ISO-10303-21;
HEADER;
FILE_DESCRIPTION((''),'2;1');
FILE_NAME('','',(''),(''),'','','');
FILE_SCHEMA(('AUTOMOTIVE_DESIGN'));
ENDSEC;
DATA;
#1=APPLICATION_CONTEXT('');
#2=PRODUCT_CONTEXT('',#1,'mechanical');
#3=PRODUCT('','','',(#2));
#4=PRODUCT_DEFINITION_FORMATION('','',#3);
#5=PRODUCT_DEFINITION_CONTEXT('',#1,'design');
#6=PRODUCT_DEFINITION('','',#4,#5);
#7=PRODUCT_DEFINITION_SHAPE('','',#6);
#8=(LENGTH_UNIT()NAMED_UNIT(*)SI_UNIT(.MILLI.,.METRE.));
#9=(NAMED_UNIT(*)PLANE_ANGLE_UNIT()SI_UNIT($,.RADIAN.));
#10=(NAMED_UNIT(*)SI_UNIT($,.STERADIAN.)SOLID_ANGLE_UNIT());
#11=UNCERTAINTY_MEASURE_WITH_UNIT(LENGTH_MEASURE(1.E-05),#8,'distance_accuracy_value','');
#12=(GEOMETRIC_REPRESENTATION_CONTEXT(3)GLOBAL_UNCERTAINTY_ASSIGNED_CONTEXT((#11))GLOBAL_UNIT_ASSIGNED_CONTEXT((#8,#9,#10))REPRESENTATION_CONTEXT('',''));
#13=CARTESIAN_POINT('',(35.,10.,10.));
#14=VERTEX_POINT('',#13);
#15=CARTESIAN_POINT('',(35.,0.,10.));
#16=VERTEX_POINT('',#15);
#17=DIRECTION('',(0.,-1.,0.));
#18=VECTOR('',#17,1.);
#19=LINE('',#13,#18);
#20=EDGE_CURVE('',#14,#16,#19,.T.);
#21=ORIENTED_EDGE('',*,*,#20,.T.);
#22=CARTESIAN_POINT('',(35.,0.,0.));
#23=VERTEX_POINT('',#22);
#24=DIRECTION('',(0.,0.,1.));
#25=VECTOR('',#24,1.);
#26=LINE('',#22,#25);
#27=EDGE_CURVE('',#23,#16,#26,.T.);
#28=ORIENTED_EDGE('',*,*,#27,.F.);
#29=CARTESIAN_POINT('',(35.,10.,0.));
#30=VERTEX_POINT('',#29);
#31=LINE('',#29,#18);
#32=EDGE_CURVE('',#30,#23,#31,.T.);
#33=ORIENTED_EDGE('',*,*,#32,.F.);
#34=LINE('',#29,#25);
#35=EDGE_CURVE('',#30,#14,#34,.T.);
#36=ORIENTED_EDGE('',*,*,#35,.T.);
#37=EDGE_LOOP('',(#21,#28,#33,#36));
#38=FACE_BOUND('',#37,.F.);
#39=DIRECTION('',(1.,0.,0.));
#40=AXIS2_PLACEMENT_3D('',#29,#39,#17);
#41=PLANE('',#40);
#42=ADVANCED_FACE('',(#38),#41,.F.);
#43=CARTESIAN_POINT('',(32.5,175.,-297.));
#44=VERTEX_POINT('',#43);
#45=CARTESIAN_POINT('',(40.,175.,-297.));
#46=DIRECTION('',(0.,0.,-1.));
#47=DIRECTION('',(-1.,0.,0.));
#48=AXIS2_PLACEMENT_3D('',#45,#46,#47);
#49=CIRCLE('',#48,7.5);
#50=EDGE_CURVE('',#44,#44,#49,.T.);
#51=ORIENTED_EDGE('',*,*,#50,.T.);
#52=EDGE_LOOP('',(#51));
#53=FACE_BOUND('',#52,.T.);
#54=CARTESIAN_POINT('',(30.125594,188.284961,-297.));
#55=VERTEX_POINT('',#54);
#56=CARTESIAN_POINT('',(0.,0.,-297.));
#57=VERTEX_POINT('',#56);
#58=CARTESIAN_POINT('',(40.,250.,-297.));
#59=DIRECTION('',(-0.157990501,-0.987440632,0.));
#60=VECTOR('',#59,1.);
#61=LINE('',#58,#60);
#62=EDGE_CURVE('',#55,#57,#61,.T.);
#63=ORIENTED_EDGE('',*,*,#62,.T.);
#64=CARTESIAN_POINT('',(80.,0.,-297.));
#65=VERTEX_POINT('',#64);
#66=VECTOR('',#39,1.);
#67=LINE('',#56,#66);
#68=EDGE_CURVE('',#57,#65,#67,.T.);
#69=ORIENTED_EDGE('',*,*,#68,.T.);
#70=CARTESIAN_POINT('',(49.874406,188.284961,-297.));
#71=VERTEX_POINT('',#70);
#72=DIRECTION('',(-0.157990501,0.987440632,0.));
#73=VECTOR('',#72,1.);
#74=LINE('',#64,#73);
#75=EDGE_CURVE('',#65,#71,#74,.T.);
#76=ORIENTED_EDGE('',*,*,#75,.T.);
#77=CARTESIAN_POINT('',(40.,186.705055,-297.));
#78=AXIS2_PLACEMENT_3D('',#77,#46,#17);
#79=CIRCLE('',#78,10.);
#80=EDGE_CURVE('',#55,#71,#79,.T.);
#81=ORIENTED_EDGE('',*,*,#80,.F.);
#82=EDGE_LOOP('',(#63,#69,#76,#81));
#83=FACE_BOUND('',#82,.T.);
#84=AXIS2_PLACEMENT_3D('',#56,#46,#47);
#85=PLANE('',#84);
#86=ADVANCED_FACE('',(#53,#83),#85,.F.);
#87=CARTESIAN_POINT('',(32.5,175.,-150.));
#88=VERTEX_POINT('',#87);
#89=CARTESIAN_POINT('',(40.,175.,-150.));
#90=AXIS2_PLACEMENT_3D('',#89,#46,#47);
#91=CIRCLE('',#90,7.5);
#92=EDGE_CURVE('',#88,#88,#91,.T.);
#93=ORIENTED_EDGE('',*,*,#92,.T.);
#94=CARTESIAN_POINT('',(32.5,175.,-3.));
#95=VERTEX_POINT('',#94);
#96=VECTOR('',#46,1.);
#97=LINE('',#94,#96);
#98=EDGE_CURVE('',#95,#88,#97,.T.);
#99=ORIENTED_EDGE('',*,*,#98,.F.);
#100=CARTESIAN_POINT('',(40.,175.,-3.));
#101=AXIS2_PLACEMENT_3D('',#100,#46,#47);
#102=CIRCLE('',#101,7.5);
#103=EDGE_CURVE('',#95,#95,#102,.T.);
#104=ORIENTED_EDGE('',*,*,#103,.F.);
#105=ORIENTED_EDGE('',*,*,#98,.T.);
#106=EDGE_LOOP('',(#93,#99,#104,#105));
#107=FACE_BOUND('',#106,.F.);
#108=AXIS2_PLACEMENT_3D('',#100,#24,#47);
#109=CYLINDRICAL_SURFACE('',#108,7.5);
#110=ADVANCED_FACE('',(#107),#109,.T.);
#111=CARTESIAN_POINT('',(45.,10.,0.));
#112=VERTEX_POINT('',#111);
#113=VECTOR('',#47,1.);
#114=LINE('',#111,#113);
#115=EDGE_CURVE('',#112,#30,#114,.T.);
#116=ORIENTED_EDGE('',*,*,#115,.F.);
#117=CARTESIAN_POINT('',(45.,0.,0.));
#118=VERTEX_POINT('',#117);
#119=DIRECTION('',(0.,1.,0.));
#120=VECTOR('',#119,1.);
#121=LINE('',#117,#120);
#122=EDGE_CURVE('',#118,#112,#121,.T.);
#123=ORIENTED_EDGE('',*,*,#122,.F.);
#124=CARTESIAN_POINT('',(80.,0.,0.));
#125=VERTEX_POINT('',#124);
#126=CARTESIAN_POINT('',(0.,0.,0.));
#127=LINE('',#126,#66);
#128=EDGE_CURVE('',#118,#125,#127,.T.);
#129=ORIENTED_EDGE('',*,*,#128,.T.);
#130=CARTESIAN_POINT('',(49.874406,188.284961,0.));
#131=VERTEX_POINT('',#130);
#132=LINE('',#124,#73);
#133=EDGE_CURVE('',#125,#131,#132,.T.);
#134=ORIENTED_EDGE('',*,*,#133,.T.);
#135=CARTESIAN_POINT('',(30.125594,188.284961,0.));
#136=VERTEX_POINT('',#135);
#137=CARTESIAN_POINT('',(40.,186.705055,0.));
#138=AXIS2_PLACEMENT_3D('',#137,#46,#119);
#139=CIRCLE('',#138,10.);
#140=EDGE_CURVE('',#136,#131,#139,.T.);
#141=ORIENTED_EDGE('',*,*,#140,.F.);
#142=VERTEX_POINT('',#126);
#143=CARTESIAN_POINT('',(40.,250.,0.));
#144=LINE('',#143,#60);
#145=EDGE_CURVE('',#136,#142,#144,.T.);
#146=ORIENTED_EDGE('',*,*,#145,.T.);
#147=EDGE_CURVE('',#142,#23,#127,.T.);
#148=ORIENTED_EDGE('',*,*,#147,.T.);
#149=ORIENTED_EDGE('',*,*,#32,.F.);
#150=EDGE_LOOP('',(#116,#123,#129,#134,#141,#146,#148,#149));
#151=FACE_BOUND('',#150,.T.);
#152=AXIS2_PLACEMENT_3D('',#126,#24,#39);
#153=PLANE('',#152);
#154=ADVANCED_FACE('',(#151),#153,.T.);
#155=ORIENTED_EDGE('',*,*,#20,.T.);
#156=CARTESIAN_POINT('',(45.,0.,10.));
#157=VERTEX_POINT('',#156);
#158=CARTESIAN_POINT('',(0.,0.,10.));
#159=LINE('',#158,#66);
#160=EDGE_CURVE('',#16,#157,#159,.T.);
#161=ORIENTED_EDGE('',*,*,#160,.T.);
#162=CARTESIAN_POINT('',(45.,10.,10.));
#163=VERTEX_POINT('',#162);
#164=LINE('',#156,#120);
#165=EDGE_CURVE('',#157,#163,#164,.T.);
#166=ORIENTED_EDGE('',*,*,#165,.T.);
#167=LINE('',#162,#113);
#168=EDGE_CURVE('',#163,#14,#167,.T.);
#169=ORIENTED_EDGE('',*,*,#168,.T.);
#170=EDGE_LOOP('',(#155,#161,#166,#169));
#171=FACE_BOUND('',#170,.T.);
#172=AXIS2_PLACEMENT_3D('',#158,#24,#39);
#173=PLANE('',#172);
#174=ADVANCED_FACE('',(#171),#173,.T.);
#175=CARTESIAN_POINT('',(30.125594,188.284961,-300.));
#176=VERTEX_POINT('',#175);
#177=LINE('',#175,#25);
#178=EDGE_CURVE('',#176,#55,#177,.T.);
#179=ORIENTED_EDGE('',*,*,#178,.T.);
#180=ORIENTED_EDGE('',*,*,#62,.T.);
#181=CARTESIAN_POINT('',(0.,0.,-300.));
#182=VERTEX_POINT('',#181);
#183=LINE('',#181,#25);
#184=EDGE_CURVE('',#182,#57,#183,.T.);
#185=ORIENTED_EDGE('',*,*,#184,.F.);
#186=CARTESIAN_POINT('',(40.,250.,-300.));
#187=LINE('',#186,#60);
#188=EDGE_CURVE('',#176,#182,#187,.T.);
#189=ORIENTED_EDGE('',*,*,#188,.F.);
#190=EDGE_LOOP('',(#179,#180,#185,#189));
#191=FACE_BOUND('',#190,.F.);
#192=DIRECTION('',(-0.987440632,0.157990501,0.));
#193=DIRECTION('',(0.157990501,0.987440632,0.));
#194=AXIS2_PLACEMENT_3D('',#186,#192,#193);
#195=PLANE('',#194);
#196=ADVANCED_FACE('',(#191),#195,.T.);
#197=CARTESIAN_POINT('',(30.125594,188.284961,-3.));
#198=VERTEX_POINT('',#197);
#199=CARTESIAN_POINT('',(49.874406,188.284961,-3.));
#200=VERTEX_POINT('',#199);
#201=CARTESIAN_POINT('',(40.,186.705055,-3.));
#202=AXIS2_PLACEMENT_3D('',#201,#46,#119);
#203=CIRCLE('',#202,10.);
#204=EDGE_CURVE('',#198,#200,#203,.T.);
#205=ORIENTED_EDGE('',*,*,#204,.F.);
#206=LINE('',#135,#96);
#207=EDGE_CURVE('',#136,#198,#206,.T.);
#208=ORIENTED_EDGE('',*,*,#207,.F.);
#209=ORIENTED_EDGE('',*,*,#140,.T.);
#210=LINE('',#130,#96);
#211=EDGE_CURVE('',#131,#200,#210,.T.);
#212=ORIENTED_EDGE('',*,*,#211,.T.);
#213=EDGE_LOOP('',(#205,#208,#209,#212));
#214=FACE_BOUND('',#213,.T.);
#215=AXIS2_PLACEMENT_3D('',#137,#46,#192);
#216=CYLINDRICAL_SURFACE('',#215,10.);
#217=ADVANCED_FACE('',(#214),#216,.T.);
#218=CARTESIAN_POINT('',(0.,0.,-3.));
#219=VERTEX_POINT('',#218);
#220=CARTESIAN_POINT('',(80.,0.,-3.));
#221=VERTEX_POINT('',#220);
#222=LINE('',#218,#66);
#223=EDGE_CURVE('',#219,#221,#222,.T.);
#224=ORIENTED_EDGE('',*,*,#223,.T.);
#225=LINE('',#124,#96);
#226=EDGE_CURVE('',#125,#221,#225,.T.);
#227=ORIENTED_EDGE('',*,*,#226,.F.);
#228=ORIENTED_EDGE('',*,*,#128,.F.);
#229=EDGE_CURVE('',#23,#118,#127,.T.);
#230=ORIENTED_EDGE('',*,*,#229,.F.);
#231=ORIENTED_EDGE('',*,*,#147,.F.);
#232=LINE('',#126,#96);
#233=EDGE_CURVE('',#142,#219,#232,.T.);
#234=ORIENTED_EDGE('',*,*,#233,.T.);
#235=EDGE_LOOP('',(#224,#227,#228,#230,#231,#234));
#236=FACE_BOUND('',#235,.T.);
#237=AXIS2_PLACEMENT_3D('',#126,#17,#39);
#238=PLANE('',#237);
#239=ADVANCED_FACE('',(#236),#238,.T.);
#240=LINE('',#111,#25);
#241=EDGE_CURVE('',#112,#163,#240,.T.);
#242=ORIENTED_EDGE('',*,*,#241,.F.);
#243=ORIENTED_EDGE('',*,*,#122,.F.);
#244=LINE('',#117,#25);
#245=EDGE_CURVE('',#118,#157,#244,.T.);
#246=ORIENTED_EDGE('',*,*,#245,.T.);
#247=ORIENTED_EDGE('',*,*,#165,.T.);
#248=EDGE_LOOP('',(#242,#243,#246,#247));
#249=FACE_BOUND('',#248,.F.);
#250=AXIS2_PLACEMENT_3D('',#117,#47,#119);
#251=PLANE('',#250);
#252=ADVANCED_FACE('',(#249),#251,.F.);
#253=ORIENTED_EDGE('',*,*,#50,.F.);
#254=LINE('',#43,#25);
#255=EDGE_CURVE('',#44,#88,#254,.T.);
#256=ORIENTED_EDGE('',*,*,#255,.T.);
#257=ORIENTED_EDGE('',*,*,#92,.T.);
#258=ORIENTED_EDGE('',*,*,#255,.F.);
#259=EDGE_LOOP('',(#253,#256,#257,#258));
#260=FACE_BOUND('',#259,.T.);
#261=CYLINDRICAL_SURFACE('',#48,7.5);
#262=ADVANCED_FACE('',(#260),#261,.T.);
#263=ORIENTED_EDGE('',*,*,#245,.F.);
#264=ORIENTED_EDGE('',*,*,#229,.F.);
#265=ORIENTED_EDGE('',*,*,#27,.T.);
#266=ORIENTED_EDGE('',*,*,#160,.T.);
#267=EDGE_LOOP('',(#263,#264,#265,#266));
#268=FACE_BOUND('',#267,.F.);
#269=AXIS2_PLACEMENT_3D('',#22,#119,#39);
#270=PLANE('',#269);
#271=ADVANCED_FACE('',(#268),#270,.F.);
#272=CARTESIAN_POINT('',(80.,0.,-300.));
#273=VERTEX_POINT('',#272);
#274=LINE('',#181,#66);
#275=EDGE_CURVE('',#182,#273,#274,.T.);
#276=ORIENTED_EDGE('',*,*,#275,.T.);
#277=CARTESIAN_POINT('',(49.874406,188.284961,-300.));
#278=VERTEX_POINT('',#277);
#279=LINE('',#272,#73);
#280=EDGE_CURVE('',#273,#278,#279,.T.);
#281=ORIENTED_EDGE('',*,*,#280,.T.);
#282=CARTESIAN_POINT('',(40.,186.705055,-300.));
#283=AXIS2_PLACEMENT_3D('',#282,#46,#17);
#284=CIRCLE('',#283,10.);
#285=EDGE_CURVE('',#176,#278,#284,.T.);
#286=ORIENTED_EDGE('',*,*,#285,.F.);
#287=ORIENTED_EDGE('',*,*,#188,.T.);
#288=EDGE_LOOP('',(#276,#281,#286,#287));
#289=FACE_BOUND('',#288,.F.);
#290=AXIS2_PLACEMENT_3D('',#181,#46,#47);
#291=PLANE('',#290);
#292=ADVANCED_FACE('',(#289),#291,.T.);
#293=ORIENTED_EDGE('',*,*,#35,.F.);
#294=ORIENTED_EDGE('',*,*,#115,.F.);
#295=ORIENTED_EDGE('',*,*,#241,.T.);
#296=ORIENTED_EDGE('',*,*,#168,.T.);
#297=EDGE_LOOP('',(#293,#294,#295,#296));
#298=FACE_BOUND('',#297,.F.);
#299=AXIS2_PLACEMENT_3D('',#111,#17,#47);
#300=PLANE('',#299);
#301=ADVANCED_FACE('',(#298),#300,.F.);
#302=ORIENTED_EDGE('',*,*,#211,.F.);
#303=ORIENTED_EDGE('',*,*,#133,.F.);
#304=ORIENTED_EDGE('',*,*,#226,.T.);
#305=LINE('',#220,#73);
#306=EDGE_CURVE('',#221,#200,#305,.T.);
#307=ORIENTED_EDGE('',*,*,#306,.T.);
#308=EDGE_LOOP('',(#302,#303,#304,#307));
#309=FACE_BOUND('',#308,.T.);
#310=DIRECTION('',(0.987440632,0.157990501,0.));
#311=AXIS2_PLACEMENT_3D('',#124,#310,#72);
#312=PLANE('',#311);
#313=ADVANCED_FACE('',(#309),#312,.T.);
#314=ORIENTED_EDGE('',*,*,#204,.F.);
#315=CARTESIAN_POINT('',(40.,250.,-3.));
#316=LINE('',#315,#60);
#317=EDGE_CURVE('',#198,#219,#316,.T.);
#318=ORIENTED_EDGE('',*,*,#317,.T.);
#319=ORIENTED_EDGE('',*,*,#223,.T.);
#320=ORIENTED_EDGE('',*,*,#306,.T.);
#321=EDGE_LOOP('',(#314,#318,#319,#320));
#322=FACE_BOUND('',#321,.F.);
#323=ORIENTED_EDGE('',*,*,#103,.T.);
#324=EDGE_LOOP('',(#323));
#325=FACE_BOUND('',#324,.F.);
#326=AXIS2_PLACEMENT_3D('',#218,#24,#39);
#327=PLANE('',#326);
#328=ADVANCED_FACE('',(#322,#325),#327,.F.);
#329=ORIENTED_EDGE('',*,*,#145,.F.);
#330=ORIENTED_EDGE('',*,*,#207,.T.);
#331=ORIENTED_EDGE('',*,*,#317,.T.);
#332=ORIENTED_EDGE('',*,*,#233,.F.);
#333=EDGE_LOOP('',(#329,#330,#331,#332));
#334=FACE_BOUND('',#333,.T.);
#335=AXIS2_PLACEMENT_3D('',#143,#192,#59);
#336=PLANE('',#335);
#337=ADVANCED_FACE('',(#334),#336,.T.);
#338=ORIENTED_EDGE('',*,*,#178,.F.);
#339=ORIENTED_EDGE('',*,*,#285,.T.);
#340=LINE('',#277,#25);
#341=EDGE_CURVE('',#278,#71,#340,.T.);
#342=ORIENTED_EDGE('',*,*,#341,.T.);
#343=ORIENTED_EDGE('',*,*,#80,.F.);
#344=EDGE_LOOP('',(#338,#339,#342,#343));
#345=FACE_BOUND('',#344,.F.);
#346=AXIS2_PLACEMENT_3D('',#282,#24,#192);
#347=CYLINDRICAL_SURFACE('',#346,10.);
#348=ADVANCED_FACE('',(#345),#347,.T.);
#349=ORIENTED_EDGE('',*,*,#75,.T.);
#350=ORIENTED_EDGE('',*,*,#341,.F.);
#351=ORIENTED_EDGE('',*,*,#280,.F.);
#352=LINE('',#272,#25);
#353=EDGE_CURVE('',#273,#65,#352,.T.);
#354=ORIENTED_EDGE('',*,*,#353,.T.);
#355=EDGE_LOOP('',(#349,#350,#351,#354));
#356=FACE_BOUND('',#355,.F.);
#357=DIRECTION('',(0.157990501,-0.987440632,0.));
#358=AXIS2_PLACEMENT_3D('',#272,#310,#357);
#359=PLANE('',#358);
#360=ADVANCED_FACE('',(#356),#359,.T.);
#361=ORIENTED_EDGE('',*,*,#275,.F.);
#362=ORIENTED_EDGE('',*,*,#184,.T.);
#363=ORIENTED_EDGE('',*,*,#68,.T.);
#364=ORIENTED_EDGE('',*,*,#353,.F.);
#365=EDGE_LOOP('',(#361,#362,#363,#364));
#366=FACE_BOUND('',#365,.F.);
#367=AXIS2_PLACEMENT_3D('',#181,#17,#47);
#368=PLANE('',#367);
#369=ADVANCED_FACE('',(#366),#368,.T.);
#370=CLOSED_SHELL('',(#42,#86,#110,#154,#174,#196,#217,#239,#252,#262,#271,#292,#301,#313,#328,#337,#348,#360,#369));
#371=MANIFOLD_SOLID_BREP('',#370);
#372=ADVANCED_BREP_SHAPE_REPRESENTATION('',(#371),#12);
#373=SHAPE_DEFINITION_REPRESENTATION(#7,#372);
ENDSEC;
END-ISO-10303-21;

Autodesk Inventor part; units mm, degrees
ref_plane "YZ Plane" through (0, 0, 0) normal (1, 0, 0) x (0, 1, 0)
ref_plane "XZ Plane" through (0, 0, 0) normal (0, 1, 0) x (-1, 0, 0)
ref_plane "XY Plane" through (0, 0, 0) normal (0, 0, 1) x (1, 0, 0)
sketch "Sketch1" plane through (0, 0, 0) normal (0, 0, 1) x (1, 0, 0)
  point P0 (0, 0)
sketch "Sketch2" plane through (0, 0, 0) normal (0, 0, 1) x (1, 0, 0)
  line L0 (0, 0) -> (80, 0)
  line L1 (80, 0) -> (40, 250)
  line L2 (40, 250) -> (0, 0)
  dimension "d0" = 80
  dimension "d1" = 250
  dimension "d2" = 40
extrude "Extrusion1" add sketch "Sketch2" against normal blind 3
sketch "Sketch3" plane through (0, 0, -3) normal (0, 0, -1) x (-1, 0, 0)
  circle A0 centre (-40, 175) radius 7.5
  line L0 (-80, 0) -> (0, 0) projected
  point P0 (-40, 250)
  point P1 (-40, 0)
  dimension "d5" = 15
  dimension "d6" = 0
  dimension "d7" = 175
fillet "Fillet1" radius 10 1 edges at (40, 250, -1.5)
extrude "Extrusion2" add sketch "Sketch3" along normal blind 147
mirror "Mirror1" about plane through (40, 175, -150) normal (0, 0, -1) of "Extrusion2", "Extrusion1"
fillet "Fillet2" radius 10 1 edges at (40, 250, -298.5)
sketch "Sketch8" plane through (0, 0, 0) normal (0, 0, 1) x (1, 0, 0)
  line L0 (0, 0) -> (80, 0) projected
  line L1 (35, 0) -> (45, 0)
  line L2 (45, 0) -> (45, 10)
  line L3 (45, 10) -> (35, 10)
  line L4 (35, 10) -> (35, 0)
  point P0 (40, 0)
  point P1 (40, 10)
  point P2 (35, 5)
  dimension "d30" = 10
  dimension "d31" = 10
  dimension "d32" = 35
extrude "Extrusion7" add sketch "Sketch8" along normal blind 10
properties part number "stand"
